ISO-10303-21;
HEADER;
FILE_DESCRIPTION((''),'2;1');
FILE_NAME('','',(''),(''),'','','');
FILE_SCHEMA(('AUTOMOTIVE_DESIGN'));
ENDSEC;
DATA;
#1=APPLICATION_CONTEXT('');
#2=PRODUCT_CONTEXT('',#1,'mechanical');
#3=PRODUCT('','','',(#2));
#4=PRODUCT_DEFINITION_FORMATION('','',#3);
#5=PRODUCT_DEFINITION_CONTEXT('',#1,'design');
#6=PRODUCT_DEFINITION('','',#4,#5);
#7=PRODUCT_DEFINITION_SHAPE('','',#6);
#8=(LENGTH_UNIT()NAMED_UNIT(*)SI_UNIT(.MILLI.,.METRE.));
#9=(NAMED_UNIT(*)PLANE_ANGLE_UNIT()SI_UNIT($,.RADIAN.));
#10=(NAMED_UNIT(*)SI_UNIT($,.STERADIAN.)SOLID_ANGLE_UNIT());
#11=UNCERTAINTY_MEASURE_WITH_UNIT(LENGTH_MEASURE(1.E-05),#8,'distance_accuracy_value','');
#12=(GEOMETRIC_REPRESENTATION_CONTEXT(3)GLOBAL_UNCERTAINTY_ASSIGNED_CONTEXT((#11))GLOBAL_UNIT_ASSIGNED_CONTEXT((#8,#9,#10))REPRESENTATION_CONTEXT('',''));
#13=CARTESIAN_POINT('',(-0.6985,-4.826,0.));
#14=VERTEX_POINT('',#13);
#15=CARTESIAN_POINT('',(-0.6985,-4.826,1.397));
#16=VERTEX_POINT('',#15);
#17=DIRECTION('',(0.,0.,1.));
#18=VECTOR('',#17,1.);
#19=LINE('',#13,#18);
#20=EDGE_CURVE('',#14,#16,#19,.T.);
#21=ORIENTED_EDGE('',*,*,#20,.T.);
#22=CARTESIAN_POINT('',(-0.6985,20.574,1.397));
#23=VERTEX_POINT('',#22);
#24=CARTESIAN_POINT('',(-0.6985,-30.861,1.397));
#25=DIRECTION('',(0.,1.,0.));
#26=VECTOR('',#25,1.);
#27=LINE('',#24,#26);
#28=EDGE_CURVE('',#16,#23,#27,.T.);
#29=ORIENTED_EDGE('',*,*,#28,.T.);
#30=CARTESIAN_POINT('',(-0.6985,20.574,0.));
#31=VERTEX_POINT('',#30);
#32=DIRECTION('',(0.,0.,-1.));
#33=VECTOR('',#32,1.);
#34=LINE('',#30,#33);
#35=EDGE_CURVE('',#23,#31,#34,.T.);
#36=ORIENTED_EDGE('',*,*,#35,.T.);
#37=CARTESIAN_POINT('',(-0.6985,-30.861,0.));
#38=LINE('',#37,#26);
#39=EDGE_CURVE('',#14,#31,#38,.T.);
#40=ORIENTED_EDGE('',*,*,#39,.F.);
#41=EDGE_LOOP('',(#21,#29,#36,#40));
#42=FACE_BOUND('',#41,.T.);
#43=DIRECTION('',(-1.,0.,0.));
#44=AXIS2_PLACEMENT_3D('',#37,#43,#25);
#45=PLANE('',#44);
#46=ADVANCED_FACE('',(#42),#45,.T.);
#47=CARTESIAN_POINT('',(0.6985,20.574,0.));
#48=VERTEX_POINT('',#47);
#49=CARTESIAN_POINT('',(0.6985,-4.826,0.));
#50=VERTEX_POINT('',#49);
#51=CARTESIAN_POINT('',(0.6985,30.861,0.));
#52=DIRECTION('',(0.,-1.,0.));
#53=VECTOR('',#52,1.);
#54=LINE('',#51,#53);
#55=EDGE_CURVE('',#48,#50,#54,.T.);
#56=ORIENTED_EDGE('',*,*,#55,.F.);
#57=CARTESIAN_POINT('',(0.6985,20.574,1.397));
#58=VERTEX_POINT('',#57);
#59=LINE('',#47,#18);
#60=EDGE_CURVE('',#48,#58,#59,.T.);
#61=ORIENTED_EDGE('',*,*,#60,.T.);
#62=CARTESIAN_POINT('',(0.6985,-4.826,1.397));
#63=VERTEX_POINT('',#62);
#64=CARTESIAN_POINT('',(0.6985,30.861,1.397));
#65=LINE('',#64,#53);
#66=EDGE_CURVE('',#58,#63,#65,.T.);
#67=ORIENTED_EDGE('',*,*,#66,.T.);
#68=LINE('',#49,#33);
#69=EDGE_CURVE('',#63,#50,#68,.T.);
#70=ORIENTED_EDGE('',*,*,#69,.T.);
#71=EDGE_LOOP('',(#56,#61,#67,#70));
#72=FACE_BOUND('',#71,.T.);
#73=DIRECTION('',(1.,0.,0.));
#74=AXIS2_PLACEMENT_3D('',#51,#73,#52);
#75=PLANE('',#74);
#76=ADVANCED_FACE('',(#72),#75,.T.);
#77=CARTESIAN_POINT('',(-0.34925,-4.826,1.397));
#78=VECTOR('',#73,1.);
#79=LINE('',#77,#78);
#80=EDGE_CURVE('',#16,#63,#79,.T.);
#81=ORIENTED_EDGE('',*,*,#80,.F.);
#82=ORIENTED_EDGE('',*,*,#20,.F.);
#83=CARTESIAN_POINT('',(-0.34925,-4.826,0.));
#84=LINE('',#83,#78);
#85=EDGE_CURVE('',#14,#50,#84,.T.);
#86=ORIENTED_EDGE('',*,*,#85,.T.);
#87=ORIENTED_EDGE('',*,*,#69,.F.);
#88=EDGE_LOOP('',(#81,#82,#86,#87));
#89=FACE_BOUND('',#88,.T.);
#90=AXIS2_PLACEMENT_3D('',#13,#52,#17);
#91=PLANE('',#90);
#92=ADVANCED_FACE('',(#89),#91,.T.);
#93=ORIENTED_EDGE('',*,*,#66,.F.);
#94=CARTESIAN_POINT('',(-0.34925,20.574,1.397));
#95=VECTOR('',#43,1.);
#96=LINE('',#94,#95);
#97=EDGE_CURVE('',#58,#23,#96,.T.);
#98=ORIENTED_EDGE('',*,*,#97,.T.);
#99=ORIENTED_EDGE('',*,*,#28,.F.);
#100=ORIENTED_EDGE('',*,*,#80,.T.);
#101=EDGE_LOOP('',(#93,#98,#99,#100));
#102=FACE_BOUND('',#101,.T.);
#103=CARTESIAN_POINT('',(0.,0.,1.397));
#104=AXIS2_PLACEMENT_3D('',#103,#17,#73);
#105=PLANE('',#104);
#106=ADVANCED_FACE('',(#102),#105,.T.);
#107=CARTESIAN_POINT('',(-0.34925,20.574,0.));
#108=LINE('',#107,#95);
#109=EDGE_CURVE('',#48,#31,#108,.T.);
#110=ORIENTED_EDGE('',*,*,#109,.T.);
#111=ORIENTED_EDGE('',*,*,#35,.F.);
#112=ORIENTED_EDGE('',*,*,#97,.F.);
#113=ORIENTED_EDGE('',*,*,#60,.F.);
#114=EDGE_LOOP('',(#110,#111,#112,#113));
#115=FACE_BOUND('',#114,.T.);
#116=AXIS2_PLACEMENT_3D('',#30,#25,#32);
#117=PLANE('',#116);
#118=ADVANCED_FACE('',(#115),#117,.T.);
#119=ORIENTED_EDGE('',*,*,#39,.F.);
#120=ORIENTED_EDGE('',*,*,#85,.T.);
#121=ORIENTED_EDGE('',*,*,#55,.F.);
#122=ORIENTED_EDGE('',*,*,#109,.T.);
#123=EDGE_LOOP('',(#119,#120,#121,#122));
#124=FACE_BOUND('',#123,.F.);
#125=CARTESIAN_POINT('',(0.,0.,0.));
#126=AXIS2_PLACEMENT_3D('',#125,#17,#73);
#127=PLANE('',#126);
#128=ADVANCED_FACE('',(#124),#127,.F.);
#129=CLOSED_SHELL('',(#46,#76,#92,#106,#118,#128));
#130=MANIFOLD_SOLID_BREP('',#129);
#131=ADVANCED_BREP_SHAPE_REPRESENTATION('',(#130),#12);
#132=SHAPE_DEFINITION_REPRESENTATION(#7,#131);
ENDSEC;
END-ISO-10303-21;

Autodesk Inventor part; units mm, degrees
ref_plane "YZ Plane" through (0, 0, 0) normal (1, 0, 0) x (0, 1, 0)
ref_plane "XZ Plane" through (0, 0, 0) normal (0, 1, 0) x (-1, 0, 0)
ref_plane "XY Plane" through (0, 0, 0) normal (0, 0, 1) x (1, 0, 0)
sketch "Sketch1" plane through (0, 0, 0) normal (0, 0, 1) x (1, 0, 0)
  line L0 (-0.6985, 30.861) -> (0.6985, 30.861)
  line L1 (0.6985, 30.861) -> (0.6985, -30.861)
  line L2 (0.6985, -30.861) -> (-0.6985, -30.861)
  line L3 (-0.6985, -30.861) -> (-0.6985, 30.861)
  line L4 (-0.6985, 30.861) -> (0.6985, -30.861) construction
  line L5 (0.6985, 30.861) -> (-0.6985, -30.861) construction
  point P0 (0, 0)
  dimension "d0" = 1.397
  dimension "d1" = 61.722
extrude "Extrusion1" add sketch "Sketch1" along normal blind 1.397
sketch "Sketch3" plane through (0.6985, -30.861, 0) normal (1, 0, 0) x (0, 0, -1)
  line L0 (0, 61.722) -> (0, 0) projected
  line L1 (0, 61.722) -> (-1.397, 61.722) projected
  line L2 (-1.397, 0) -> (-1.397, 61.722) projected
  line L3 (0, 0) -> (-1.397, 0) projected
  line L4 (-1.397, 0) -> (-1.905, 0)
  line L5 (-1.397, 0) -> (-1.397, 1.27)
  line L6 (-1.397, 53.34) -> (-1.397, 0) projected
  line L7 (-1.651, 1.27) -> (-1.397, 1.27)
  line L8 (-1.651, 1.27) -> (-1.905, 0)
  point P0 (0, 30.861)
  dimension "d8" = 0.508
  dimension "d9" = 1.27
  dimension "d10" = 0.254
ref_plane "Work Plane2" through (-0.6985, -30.226, 0) normal (0, -1, 0) x (1, 0, 0)
sketch "Sketch7" plane through (-0.6985, -30.226, 0) normal (0, -1, 0) x (1, 0, 0)
  line L0 (1.3985, 1.651) -> (-0.254, 1.651)
  line L1 (-0.254, 1.651) -> (-0.254, 0)
  line L2 (0, 0) -> (0, 1.397) projected
  line L3 (0, 1.397) -> (1.397, 1.397) projected
  point P0 (0.6985, 0)
  dimension "d20" = 0.254
  dimension "d21" = 0.254
sweep "Sweep2" add profiles "Sketch3" path "Sketch7" path curves L0 L1 contours L4 L8 L7 L2
ref_plane "Work Plane4" through (-0.6985, 20.574, 0) normal (0, -1, 0) x (1, 0, 0)
ref_plane "Work Plane3" through (-0.6985, -4.826, 0) normal (0, -1, 0) x (1, 0, 0)
split "Split1" plane through (-0.6985, -4.826, 0) removes the side toward (0, -1, 0)
split "Split2" plane through (-0.6985, 20.574, 0) removes the side toward (0, 1, 0)
properties part number "corner"
